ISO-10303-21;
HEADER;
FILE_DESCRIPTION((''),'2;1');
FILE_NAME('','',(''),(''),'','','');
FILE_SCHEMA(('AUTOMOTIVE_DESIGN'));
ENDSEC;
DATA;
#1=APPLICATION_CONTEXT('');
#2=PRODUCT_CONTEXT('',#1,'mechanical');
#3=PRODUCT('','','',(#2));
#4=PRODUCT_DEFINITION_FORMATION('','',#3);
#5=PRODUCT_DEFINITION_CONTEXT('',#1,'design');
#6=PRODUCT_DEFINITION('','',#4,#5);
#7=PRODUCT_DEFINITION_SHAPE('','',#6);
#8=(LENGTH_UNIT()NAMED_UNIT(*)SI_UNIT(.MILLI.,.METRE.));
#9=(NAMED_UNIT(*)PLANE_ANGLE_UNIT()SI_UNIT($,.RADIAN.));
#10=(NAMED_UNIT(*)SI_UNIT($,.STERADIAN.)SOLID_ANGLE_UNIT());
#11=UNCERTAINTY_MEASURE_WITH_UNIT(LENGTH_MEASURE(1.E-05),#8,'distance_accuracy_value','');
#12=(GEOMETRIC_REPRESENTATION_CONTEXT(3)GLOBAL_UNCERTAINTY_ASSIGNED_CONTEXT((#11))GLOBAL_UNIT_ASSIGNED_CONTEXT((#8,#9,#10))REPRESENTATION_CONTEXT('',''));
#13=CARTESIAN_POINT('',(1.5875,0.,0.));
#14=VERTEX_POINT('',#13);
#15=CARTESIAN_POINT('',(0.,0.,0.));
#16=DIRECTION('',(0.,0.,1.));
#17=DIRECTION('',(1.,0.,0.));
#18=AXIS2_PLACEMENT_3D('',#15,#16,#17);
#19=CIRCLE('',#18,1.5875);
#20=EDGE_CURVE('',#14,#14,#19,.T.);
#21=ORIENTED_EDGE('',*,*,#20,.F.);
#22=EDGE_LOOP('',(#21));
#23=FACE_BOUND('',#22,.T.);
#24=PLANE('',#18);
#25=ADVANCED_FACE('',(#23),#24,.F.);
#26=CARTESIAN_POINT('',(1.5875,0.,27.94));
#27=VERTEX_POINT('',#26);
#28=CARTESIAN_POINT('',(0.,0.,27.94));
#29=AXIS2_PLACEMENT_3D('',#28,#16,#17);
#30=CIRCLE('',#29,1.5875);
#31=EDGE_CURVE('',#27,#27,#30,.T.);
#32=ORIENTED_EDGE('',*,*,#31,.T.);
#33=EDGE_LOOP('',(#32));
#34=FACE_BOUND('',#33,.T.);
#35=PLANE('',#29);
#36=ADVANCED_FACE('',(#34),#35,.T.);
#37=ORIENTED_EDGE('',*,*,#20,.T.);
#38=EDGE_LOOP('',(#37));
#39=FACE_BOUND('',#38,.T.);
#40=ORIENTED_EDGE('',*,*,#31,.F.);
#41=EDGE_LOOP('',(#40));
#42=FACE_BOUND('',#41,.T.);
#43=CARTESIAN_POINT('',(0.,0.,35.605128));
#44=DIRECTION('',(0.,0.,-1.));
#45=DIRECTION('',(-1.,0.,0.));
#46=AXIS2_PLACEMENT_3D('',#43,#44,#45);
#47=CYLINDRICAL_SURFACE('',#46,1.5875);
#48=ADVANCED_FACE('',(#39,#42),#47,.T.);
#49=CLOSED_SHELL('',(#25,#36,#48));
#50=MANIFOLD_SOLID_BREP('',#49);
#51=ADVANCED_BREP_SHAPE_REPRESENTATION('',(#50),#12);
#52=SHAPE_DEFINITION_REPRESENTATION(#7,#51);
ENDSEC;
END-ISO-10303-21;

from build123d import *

# Parameters (mm, degrees)
SKETCH1_R           = 1.5875
BOSS_EXTRUDE1_DEPTH = 27.94


with BuildPart() as part:
    # Sketch1 → Boss-Extrude1 (new body)
    with BuildSketch(Plane.XY):
        Circle(SKETCH1_R)
    extrude(amount=BOSS_EXTRUDE1_DEPTH)


solid = part.part
